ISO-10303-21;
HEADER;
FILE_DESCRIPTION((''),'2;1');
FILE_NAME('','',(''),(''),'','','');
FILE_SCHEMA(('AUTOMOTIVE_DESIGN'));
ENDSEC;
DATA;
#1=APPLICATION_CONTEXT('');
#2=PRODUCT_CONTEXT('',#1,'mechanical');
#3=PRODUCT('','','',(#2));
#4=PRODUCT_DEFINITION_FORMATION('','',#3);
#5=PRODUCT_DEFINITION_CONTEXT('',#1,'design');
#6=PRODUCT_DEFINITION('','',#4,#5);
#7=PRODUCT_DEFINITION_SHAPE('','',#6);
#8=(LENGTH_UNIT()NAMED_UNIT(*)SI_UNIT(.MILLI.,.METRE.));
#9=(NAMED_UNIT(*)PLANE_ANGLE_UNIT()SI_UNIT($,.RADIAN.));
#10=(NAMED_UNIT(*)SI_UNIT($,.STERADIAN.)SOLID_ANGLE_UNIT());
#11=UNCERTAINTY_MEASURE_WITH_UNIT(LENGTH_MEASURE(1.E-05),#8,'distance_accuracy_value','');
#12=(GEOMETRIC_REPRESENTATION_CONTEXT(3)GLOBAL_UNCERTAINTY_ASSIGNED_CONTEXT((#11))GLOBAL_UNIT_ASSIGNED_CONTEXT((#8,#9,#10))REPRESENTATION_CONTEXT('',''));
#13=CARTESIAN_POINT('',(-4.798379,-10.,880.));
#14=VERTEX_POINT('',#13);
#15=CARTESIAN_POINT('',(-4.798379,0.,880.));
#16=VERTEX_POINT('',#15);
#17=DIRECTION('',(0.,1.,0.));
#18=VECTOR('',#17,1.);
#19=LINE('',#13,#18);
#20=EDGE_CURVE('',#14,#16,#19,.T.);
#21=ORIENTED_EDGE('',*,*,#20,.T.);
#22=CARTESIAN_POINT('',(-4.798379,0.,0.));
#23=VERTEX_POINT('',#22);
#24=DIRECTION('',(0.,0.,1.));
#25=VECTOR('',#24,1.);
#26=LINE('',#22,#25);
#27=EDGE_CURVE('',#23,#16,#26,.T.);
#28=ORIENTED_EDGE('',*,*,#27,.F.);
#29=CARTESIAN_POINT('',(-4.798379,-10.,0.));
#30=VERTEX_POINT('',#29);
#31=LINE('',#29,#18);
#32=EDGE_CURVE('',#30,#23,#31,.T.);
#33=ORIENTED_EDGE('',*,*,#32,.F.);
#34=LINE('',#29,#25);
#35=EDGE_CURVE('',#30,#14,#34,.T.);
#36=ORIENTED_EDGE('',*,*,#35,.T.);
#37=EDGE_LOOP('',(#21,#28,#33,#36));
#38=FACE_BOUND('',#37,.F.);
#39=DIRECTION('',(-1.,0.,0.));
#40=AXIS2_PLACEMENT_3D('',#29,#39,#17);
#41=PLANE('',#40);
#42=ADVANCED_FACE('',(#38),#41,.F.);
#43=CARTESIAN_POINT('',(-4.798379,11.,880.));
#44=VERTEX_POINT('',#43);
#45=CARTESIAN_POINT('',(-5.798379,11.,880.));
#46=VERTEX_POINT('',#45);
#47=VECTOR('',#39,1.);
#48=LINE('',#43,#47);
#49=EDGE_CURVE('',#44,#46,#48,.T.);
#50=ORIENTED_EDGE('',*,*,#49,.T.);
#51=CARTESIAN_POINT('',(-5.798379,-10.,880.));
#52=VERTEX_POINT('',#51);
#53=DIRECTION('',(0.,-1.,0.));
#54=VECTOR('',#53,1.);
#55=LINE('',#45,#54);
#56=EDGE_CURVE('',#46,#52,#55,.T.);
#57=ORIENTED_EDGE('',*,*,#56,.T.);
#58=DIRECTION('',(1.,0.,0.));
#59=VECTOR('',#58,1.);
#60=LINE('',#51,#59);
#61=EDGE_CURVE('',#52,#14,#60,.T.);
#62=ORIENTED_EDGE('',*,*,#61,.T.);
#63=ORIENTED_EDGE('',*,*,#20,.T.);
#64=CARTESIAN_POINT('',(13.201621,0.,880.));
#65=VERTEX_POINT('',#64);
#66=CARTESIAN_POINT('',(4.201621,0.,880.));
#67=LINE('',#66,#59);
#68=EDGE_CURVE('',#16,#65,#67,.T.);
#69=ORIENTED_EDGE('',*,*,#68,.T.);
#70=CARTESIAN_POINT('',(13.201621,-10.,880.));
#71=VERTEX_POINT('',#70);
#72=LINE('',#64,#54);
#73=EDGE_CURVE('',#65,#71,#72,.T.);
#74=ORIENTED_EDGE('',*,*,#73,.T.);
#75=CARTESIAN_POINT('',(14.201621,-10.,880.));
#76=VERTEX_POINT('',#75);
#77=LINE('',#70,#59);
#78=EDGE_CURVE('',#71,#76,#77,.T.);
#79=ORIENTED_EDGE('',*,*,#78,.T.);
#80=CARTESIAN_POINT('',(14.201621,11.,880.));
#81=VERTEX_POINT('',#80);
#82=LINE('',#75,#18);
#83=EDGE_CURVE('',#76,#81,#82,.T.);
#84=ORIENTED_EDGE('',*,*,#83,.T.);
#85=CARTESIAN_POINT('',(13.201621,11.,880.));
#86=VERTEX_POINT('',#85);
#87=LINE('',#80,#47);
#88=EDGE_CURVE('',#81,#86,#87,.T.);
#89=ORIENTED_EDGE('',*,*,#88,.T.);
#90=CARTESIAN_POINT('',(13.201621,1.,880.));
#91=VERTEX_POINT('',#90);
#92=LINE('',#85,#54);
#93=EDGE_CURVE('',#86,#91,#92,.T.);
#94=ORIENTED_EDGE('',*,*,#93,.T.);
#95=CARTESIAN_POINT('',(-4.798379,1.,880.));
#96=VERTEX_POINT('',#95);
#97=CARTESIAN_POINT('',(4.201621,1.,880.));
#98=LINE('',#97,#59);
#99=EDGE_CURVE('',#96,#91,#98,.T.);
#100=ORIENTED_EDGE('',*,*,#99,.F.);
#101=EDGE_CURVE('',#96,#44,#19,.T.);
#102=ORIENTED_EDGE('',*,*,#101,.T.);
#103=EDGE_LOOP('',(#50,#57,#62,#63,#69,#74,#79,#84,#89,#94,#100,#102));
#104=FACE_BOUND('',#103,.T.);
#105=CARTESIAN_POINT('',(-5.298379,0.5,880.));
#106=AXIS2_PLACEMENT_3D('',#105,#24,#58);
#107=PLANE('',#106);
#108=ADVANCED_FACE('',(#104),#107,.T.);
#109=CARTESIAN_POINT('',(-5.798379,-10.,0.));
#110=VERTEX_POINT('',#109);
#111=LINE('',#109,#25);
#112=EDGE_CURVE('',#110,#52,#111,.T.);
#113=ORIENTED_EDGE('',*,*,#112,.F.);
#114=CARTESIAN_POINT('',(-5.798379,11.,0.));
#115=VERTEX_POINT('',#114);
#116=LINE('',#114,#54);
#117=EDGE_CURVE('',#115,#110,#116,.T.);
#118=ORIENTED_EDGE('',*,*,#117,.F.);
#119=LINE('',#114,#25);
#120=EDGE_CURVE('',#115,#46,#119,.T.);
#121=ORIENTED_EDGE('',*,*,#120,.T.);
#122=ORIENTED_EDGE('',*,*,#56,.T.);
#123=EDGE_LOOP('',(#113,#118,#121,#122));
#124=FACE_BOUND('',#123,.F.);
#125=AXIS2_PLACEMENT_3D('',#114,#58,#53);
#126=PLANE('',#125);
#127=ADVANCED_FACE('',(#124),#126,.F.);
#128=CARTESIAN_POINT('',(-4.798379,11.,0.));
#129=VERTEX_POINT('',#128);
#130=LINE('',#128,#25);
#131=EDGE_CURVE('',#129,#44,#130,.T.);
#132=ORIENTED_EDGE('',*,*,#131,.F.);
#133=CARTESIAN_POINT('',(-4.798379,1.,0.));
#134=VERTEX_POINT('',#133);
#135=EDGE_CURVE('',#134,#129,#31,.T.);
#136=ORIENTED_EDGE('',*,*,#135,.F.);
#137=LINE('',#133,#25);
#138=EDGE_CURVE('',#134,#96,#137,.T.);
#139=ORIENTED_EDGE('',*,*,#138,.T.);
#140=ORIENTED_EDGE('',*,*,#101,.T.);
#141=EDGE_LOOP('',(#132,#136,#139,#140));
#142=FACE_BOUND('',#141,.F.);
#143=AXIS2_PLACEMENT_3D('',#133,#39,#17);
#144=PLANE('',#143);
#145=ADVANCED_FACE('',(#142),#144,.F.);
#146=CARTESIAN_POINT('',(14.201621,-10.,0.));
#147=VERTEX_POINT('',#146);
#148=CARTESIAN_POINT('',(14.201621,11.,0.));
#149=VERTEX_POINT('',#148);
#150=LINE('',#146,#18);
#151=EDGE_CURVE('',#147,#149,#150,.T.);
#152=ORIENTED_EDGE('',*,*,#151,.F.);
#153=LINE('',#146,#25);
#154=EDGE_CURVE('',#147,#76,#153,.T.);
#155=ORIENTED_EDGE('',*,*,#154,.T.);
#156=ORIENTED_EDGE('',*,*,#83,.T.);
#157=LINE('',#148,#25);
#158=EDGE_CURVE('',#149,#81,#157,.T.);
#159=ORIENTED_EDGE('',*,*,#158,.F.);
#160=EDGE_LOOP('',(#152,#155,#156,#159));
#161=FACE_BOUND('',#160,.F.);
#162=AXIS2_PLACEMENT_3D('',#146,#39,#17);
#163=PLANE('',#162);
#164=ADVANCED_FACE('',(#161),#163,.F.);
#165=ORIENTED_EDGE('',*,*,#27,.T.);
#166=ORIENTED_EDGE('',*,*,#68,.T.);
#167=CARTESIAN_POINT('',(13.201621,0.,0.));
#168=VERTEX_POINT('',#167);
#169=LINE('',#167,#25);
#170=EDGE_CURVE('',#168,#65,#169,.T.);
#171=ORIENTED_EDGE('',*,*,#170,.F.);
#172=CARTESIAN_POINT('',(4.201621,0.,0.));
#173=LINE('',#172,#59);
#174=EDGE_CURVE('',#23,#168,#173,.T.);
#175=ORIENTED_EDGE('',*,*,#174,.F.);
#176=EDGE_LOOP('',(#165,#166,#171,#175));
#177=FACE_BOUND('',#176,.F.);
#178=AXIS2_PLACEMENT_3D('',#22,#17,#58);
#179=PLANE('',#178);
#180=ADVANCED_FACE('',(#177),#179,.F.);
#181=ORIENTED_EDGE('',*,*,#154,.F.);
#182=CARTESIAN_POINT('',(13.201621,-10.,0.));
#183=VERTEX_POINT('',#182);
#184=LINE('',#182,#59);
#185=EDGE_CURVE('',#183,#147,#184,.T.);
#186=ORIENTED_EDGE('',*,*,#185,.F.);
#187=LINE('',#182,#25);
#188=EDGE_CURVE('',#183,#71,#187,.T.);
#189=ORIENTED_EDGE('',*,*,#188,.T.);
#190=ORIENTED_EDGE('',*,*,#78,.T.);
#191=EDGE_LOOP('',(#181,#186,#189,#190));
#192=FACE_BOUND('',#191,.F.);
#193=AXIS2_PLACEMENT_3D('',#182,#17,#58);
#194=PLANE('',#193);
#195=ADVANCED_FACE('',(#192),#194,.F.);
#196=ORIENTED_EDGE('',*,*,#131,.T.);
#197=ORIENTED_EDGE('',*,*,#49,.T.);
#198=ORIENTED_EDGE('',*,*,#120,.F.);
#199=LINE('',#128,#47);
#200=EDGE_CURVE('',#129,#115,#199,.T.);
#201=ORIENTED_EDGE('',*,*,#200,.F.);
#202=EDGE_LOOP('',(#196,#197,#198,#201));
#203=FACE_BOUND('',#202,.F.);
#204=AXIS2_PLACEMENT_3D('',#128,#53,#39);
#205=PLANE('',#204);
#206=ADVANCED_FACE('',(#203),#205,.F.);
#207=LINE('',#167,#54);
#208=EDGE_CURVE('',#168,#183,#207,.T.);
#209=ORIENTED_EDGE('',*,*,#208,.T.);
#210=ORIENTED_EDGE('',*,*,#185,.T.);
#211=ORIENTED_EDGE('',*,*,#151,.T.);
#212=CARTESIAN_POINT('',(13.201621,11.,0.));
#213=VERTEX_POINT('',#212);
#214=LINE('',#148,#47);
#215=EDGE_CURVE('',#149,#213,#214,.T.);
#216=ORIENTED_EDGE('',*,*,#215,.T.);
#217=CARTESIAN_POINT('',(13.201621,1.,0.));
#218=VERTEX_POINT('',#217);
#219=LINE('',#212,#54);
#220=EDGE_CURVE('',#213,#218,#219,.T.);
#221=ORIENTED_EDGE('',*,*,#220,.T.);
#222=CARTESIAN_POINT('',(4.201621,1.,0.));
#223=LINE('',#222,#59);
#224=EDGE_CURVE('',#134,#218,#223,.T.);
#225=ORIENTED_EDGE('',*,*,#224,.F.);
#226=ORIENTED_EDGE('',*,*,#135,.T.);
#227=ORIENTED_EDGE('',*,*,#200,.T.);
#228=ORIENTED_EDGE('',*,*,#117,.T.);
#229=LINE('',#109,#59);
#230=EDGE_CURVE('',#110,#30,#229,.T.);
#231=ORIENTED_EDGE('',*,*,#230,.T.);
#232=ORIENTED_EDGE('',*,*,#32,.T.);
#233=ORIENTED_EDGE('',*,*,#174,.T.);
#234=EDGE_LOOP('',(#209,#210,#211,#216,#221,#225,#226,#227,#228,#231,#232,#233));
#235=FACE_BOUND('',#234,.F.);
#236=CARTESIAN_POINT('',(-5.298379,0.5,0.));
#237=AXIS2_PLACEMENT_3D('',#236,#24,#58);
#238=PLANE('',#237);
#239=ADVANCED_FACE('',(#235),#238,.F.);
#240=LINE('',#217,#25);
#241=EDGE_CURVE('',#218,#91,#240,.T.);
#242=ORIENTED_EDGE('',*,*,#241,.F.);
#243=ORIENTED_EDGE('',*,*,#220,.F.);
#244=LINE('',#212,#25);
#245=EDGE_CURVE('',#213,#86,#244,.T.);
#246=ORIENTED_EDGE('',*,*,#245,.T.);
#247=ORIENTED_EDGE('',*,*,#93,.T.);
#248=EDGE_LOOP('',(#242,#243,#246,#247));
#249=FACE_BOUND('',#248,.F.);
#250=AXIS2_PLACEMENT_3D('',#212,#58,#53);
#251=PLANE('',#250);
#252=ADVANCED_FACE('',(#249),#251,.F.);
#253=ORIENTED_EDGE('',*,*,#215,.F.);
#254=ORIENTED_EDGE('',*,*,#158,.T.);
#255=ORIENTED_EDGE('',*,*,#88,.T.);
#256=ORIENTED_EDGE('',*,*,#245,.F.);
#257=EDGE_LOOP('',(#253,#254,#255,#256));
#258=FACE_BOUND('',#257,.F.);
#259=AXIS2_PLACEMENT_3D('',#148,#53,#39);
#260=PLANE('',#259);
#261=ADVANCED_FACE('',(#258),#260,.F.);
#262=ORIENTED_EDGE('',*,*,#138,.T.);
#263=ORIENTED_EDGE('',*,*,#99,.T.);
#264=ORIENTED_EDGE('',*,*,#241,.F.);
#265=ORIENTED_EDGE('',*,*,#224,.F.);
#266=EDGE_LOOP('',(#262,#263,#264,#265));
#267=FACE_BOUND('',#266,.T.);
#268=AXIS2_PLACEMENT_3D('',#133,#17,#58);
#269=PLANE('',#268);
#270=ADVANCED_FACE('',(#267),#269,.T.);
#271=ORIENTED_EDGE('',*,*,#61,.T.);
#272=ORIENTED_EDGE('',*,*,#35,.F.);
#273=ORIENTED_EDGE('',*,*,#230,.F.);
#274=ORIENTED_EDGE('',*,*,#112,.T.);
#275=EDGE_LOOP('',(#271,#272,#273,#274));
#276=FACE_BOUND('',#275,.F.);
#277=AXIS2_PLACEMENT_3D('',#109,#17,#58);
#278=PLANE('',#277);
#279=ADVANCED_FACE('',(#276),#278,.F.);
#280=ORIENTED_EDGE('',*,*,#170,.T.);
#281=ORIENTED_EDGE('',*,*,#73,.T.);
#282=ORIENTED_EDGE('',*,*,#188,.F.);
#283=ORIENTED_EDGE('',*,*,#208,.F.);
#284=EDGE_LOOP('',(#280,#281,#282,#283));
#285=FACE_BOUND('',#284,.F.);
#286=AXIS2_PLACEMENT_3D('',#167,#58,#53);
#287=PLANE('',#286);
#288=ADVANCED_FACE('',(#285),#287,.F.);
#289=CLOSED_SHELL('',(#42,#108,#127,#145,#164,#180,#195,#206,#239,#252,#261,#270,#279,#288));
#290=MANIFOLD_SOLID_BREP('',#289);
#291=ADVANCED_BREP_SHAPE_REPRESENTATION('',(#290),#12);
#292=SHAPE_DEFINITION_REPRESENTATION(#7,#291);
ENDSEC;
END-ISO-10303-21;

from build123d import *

# Parameters (mm, degrees)
F0_W     = 18
F0_H     = 1
F1_DEPTH = 880


with BuildPart() as f1:
    # F0 (on Top) → F1 (new body)
    with BuildSketch(Plane.XY):
        Polygon((-4.798379, 11), (-5.798379, 11), (-5.798379, -10), (-4.798379, -10), (-4.798379, 0), (-4.798379, 1), align=None)
        with Locations((4.201621, 0.5)):
            Rectangle(F0_W, F0_H)
        Polygon((13.201621, 11), (13.201621, 1), (13.201621, 0), (13.201621, -10), (14.201621, -10), (14.201621, 11), align=None)
    extrude(amount=F1_DEPTH)


solid = f1.part
